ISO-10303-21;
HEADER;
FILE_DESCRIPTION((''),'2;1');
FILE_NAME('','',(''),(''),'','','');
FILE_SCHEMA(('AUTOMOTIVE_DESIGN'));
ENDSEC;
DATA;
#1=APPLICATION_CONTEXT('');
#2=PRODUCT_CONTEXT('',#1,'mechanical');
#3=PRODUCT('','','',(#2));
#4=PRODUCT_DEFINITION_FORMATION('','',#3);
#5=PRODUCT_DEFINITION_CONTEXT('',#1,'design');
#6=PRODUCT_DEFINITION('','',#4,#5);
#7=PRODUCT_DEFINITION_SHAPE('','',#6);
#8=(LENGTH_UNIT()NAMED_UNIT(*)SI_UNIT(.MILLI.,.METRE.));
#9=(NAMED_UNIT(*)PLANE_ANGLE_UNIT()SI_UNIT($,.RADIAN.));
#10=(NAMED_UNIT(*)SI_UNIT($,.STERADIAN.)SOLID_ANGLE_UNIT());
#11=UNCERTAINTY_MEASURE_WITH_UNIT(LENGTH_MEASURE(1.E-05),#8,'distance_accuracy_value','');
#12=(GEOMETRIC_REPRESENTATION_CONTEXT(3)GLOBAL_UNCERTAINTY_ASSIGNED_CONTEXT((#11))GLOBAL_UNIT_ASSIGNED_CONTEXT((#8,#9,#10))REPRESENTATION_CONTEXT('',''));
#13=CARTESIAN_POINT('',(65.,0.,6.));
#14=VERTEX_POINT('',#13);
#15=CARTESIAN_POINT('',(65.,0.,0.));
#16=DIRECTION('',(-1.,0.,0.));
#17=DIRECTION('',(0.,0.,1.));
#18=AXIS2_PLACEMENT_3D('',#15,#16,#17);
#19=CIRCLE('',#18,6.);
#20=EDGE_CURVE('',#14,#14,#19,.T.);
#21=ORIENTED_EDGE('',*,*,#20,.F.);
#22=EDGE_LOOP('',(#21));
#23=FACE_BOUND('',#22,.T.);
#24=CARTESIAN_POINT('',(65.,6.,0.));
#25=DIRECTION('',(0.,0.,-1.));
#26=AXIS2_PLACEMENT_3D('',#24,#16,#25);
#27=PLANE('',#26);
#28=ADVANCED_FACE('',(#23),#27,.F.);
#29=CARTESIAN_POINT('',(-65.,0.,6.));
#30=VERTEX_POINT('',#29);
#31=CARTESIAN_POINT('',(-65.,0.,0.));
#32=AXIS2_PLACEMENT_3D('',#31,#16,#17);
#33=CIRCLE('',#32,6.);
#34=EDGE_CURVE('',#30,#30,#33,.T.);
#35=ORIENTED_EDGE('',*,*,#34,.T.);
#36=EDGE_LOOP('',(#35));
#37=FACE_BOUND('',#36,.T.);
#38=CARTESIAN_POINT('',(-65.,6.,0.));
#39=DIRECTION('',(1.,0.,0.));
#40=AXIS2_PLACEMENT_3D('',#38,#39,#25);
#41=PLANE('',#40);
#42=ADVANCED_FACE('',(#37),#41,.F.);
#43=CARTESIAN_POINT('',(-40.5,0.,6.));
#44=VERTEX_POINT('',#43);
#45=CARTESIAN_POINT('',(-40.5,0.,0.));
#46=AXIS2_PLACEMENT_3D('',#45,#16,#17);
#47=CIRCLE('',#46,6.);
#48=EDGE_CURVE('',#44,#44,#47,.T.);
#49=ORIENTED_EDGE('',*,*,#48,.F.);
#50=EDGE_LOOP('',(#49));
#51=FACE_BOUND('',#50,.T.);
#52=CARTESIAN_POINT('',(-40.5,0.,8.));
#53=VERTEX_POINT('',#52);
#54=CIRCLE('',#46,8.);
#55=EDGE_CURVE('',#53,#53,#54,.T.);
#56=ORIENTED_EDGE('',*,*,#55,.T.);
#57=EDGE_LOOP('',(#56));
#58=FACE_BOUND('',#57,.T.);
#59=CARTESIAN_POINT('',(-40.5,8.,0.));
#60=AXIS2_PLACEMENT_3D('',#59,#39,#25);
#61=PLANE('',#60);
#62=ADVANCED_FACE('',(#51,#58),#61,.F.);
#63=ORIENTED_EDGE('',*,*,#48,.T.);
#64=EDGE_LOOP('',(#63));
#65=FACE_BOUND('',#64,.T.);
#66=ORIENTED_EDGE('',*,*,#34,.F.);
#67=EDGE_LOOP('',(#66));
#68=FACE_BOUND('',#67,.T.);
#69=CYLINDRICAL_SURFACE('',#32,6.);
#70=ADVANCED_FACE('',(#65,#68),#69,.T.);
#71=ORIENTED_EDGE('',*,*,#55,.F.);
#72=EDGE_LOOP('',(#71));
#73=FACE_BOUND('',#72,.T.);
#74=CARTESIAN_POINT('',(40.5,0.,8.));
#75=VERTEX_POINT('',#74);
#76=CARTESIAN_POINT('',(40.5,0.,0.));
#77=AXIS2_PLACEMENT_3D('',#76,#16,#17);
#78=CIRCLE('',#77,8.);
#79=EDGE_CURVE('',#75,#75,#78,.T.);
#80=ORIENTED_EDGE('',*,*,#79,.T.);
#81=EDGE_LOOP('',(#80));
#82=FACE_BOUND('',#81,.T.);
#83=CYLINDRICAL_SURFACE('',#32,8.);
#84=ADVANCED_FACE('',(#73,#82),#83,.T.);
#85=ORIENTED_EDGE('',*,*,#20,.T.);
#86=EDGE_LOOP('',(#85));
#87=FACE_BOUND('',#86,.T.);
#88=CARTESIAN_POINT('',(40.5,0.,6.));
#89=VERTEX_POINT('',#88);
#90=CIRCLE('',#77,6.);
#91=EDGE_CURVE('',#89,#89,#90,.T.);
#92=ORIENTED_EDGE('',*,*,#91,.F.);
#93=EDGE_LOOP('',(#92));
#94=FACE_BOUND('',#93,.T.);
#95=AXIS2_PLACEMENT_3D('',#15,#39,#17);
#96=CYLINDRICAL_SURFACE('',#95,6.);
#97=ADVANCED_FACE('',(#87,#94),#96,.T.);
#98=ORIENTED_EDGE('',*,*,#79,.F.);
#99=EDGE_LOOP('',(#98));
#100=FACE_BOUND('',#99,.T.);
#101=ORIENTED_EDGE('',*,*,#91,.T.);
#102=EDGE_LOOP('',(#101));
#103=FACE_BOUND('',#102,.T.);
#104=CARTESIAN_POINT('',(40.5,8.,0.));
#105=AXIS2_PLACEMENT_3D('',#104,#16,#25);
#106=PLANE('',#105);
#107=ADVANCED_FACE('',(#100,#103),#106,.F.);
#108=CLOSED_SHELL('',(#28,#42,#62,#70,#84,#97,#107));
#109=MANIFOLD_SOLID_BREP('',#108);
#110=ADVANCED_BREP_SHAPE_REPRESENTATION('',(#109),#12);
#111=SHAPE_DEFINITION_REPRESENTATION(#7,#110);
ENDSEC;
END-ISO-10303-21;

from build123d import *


with BuildPart() as part:
    # Sketch1 → Revolve1 (revolve)
    with BuildSketch(Plane.XY):
        Polygon((0, 0), (0, 8), (-40.5, 8), (-40.5, 6), (-65, 6), (-65, 0), align=None)
    revolve1 = revolve(axis=Axis((-65, 0, 0), (1, 0, 0)))

    # Mirror1: Revolve1 across plane
    add(revolve1.mirror(Plane.ZY))


solid = part.part
